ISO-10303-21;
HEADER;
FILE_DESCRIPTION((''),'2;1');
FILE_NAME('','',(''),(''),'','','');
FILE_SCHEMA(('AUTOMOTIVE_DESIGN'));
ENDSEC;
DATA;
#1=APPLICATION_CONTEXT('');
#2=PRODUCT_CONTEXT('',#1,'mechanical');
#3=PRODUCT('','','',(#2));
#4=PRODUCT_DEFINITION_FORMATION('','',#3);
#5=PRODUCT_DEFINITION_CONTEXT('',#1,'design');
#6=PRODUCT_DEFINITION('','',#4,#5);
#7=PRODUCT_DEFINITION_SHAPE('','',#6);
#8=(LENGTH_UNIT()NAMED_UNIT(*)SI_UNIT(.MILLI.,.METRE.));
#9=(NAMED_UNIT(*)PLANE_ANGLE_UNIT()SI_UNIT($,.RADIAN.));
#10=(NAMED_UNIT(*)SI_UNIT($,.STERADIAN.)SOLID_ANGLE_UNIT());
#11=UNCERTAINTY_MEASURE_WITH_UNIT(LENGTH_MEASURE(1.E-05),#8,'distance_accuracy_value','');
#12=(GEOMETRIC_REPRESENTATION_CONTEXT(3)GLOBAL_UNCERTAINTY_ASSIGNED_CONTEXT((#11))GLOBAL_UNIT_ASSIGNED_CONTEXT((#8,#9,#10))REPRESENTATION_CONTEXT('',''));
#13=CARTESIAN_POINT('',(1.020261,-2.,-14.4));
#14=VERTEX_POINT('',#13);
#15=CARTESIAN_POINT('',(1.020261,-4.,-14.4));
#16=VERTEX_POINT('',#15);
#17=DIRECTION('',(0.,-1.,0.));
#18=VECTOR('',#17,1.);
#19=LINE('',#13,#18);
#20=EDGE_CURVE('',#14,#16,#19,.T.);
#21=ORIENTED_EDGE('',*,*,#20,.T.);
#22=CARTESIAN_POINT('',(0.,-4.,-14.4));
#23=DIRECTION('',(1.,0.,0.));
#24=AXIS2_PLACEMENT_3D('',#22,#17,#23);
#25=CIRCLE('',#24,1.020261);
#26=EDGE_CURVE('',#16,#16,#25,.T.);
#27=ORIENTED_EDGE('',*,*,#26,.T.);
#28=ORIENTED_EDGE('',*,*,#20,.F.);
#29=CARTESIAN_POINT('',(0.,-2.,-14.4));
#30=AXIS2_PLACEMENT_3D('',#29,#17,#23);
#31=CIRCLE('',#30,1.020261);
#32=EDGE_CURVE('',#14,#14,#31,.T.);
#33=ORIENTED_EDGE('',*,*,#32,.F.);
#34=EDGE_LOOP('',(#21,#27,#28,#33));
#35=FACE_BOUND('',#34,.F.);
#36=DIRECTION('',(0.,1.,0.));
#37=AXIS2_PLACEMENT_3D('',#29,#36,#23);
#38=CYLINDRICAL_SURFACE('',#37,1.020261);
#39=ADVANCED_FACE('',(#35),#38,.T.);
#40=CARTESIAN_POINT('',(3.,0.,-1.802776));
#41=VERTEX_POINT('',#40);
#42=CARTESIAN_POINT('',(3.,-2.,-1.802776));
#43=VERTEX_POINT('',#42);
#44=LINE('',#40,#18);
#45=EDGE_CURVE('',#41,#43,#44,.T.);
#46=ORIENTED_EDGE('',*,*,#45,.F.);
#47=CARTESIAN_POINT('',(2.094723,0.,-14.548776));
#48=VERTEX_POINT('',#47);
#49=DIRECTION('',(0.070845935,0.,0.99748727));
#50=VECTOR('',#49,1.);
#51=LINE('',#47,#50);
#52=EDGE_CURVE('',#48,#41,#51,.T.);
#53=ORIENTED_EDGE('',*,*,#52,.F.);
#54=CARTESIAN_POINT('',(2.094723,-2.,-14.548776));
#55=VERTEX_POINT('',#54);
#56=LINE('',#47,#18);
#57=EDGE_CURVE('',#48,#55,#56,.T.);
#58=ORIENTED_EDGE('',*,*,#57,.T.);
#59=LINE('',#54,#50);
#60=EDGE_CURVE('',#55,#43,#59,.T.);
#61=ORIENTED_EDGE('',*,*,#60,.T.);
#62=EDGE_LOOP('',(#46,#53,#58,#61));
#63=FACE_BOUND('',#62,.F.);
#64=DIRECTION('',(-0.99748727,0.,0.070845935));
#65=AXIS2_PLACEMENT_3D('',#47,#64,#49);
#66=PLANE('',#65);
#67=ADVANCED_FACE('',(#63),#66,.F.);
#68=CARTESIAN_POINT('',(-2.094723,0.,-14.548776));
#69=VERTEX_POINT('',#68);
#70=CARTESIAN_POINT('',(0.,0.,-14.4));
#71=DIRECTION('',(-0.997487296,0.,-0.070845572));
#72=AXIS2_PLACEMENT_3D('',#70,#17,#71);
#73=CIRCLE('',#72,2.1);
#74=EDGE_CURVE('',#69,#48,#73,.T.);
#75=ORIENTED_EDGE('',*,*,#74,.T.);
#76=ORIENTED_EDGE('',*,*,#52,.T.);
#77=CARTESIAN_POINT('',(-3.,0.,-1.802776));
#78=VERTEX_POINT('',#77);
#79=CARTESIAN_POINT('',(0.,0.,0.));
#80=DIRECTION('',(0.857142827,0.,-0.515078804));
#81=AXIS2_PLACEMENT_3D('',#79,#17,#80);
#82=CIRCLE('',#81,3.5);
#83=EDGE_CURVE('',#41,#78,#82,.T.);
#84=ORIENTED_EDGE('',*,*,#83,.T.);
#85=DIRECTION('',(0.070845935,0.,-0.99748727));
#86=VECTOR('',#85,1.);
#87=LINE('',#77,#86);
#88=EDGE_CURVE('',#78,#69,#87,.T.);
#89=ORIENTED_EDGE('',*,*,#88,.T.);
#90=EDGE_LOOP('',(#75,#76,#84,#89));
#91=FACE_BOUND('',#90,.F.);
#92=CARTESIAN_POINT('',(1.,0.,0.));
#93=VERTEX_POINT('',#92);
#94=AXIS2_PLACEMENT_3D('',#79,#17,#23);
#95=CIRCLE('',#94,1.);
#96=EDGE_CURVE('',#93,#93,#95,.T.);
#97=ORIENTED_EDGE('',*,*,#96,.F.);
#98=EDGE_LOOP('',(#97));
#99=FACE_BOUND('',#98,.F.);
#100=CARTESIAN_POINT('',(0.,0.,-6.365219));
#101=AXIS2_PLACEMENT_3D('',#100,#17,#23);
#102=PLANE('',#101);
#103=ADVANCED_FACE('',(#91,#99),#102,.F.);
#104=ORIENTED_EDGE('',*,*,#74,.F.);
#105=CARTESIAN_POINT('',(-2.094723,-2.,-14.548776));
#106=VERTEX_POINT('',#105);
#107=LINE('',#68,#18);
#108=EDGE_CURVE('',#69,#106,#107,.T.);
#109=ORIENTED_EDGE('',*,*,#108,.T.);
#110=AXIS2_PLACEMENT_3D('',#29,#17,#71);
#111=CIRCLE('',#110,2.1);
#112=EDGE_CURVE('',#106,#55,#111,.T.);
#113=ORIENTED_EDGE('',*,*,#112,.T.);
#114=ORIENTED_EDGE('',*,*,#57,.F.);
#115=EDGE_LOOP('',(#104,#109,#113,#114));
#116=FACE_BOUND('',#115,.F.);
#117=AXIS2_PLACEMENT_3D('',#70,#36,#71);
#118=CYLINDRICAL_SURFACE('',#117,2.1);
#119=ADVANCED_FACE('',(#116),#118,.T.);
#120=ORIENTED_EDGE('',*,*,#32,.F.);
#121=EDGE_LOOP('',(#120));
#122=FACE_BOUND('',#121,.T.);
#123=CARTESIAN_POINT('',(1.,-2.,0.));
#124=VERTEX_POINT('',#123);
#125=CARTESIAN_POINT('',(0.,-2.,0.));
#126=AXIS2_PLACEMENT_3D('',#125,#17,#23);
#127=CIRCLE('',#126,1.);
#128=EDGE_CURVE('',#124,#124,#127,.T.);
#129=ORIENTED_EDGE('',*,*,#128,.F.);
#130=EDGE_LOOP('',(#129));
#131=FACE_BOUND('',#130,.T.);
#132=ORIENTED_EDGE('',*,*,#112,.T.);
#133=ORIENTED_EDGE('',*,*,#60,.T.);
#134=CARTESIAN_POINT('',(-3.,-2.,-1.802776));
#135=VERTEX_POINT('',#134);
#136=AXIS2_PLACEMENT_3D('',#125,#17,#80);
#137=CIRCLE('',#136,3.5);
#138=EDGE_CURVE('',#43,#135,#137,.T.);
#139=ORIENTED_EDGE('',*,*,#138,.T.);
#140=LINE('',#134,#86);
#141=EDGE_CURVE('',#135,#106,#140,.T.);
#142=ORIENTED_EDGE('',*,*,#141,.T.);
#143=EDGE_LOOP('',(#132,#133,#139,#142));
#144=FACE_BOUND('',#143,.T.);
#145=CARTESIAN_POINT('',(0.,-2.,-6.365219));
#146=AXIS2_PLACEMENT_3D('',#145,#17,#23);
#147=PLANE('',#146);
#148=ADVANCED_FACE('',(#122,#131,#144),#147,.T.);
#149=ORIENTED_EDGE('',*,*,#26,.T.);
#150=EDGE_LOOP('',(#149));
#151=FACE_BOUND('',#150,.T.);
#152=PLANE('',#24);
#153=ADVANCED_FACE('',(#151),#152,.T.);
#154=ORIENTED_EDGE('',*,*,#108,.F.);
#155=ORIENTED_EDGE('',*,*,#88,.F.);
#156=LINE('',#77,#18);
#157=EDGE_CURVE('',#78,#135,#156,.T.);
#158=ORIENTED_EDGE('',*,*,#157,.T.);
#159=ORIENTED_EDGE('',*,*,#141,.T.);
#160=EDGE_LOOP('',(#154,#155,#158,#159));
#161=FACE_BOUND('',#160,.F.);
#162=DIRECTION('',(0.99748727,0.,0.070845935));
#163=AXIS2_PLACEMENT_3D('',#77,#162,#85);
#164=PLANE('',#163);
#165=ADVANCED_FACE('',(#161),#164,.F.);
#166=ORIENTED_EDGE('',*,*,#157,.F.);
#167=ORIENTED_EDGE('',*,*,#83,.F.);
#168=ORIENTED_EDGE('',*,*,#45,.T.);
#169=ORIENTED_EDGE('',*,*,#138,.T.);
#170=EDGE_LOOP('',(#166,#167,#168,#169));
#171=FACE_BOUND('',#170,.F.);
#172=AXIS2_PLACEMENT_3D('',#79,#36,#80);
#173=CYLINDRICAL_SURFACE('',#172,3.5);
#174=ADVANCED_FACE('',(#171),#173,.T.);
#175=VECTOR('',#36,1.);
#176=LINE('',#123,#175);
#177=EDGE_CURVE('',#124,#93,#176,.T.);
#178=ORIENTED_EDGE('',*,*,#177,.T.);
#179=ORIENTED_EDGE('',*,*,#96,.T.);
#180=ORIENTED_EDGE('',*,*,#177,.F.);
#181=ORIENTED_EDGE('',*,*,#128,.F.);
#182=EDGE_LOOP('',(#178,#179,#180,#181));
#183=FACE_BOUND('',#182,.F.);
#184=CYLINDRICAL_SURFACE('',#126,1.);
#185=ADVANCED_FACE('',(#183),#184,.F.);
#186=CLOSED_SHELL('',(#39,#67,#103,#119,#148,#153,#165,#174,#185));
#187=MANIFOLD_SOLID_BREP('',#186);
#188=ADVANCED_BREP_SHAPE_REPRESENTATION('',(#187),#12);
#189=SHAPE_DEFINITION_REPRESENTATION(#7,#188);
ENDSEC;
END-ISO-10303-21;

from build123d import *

# Parameters (mm, degrees)
F1_DEPTH = 2
F2_R     = 1
F3_DEPTH = 25
F4_R     = 1.020261
F5_DEPTH = 2


with BuildPart() as f1:
    # F0 (on Front) → F1 (new body)
    with BuildSketch(Plane.XZ):
        with BuildLine():
            Line((2.094723, -14.548776), (3, -1.802776))
            ThreePointArc((3, -1.802776), (0, 3.5), (-3, -1.802776))
            Line((-3, -1.802776), (-2.094723, -14.548776))
            ThreePointArc((-2.094723, -14.548776), (0, -16.5), (2.094723, -14.548776))
        make_face()
    extrude(amount=F1_DEPTH)

    # F2 (on face) → F3 (cut)
    with BuildSketch(Plane.XZ.offset(2)):
        Circle(F2_R)
    extrude(amount=-F3_DEPTH, mode=Mode.SUBTRACT)

    # F4 (on face) → F5 (join)
    with BuildSketch(Plane.XZ.offset(2)):
        with Locations((0, -14.4)):
            Circle(F4_R)
    extrude(amount=F5_DEPTH)


solid = f1.part
